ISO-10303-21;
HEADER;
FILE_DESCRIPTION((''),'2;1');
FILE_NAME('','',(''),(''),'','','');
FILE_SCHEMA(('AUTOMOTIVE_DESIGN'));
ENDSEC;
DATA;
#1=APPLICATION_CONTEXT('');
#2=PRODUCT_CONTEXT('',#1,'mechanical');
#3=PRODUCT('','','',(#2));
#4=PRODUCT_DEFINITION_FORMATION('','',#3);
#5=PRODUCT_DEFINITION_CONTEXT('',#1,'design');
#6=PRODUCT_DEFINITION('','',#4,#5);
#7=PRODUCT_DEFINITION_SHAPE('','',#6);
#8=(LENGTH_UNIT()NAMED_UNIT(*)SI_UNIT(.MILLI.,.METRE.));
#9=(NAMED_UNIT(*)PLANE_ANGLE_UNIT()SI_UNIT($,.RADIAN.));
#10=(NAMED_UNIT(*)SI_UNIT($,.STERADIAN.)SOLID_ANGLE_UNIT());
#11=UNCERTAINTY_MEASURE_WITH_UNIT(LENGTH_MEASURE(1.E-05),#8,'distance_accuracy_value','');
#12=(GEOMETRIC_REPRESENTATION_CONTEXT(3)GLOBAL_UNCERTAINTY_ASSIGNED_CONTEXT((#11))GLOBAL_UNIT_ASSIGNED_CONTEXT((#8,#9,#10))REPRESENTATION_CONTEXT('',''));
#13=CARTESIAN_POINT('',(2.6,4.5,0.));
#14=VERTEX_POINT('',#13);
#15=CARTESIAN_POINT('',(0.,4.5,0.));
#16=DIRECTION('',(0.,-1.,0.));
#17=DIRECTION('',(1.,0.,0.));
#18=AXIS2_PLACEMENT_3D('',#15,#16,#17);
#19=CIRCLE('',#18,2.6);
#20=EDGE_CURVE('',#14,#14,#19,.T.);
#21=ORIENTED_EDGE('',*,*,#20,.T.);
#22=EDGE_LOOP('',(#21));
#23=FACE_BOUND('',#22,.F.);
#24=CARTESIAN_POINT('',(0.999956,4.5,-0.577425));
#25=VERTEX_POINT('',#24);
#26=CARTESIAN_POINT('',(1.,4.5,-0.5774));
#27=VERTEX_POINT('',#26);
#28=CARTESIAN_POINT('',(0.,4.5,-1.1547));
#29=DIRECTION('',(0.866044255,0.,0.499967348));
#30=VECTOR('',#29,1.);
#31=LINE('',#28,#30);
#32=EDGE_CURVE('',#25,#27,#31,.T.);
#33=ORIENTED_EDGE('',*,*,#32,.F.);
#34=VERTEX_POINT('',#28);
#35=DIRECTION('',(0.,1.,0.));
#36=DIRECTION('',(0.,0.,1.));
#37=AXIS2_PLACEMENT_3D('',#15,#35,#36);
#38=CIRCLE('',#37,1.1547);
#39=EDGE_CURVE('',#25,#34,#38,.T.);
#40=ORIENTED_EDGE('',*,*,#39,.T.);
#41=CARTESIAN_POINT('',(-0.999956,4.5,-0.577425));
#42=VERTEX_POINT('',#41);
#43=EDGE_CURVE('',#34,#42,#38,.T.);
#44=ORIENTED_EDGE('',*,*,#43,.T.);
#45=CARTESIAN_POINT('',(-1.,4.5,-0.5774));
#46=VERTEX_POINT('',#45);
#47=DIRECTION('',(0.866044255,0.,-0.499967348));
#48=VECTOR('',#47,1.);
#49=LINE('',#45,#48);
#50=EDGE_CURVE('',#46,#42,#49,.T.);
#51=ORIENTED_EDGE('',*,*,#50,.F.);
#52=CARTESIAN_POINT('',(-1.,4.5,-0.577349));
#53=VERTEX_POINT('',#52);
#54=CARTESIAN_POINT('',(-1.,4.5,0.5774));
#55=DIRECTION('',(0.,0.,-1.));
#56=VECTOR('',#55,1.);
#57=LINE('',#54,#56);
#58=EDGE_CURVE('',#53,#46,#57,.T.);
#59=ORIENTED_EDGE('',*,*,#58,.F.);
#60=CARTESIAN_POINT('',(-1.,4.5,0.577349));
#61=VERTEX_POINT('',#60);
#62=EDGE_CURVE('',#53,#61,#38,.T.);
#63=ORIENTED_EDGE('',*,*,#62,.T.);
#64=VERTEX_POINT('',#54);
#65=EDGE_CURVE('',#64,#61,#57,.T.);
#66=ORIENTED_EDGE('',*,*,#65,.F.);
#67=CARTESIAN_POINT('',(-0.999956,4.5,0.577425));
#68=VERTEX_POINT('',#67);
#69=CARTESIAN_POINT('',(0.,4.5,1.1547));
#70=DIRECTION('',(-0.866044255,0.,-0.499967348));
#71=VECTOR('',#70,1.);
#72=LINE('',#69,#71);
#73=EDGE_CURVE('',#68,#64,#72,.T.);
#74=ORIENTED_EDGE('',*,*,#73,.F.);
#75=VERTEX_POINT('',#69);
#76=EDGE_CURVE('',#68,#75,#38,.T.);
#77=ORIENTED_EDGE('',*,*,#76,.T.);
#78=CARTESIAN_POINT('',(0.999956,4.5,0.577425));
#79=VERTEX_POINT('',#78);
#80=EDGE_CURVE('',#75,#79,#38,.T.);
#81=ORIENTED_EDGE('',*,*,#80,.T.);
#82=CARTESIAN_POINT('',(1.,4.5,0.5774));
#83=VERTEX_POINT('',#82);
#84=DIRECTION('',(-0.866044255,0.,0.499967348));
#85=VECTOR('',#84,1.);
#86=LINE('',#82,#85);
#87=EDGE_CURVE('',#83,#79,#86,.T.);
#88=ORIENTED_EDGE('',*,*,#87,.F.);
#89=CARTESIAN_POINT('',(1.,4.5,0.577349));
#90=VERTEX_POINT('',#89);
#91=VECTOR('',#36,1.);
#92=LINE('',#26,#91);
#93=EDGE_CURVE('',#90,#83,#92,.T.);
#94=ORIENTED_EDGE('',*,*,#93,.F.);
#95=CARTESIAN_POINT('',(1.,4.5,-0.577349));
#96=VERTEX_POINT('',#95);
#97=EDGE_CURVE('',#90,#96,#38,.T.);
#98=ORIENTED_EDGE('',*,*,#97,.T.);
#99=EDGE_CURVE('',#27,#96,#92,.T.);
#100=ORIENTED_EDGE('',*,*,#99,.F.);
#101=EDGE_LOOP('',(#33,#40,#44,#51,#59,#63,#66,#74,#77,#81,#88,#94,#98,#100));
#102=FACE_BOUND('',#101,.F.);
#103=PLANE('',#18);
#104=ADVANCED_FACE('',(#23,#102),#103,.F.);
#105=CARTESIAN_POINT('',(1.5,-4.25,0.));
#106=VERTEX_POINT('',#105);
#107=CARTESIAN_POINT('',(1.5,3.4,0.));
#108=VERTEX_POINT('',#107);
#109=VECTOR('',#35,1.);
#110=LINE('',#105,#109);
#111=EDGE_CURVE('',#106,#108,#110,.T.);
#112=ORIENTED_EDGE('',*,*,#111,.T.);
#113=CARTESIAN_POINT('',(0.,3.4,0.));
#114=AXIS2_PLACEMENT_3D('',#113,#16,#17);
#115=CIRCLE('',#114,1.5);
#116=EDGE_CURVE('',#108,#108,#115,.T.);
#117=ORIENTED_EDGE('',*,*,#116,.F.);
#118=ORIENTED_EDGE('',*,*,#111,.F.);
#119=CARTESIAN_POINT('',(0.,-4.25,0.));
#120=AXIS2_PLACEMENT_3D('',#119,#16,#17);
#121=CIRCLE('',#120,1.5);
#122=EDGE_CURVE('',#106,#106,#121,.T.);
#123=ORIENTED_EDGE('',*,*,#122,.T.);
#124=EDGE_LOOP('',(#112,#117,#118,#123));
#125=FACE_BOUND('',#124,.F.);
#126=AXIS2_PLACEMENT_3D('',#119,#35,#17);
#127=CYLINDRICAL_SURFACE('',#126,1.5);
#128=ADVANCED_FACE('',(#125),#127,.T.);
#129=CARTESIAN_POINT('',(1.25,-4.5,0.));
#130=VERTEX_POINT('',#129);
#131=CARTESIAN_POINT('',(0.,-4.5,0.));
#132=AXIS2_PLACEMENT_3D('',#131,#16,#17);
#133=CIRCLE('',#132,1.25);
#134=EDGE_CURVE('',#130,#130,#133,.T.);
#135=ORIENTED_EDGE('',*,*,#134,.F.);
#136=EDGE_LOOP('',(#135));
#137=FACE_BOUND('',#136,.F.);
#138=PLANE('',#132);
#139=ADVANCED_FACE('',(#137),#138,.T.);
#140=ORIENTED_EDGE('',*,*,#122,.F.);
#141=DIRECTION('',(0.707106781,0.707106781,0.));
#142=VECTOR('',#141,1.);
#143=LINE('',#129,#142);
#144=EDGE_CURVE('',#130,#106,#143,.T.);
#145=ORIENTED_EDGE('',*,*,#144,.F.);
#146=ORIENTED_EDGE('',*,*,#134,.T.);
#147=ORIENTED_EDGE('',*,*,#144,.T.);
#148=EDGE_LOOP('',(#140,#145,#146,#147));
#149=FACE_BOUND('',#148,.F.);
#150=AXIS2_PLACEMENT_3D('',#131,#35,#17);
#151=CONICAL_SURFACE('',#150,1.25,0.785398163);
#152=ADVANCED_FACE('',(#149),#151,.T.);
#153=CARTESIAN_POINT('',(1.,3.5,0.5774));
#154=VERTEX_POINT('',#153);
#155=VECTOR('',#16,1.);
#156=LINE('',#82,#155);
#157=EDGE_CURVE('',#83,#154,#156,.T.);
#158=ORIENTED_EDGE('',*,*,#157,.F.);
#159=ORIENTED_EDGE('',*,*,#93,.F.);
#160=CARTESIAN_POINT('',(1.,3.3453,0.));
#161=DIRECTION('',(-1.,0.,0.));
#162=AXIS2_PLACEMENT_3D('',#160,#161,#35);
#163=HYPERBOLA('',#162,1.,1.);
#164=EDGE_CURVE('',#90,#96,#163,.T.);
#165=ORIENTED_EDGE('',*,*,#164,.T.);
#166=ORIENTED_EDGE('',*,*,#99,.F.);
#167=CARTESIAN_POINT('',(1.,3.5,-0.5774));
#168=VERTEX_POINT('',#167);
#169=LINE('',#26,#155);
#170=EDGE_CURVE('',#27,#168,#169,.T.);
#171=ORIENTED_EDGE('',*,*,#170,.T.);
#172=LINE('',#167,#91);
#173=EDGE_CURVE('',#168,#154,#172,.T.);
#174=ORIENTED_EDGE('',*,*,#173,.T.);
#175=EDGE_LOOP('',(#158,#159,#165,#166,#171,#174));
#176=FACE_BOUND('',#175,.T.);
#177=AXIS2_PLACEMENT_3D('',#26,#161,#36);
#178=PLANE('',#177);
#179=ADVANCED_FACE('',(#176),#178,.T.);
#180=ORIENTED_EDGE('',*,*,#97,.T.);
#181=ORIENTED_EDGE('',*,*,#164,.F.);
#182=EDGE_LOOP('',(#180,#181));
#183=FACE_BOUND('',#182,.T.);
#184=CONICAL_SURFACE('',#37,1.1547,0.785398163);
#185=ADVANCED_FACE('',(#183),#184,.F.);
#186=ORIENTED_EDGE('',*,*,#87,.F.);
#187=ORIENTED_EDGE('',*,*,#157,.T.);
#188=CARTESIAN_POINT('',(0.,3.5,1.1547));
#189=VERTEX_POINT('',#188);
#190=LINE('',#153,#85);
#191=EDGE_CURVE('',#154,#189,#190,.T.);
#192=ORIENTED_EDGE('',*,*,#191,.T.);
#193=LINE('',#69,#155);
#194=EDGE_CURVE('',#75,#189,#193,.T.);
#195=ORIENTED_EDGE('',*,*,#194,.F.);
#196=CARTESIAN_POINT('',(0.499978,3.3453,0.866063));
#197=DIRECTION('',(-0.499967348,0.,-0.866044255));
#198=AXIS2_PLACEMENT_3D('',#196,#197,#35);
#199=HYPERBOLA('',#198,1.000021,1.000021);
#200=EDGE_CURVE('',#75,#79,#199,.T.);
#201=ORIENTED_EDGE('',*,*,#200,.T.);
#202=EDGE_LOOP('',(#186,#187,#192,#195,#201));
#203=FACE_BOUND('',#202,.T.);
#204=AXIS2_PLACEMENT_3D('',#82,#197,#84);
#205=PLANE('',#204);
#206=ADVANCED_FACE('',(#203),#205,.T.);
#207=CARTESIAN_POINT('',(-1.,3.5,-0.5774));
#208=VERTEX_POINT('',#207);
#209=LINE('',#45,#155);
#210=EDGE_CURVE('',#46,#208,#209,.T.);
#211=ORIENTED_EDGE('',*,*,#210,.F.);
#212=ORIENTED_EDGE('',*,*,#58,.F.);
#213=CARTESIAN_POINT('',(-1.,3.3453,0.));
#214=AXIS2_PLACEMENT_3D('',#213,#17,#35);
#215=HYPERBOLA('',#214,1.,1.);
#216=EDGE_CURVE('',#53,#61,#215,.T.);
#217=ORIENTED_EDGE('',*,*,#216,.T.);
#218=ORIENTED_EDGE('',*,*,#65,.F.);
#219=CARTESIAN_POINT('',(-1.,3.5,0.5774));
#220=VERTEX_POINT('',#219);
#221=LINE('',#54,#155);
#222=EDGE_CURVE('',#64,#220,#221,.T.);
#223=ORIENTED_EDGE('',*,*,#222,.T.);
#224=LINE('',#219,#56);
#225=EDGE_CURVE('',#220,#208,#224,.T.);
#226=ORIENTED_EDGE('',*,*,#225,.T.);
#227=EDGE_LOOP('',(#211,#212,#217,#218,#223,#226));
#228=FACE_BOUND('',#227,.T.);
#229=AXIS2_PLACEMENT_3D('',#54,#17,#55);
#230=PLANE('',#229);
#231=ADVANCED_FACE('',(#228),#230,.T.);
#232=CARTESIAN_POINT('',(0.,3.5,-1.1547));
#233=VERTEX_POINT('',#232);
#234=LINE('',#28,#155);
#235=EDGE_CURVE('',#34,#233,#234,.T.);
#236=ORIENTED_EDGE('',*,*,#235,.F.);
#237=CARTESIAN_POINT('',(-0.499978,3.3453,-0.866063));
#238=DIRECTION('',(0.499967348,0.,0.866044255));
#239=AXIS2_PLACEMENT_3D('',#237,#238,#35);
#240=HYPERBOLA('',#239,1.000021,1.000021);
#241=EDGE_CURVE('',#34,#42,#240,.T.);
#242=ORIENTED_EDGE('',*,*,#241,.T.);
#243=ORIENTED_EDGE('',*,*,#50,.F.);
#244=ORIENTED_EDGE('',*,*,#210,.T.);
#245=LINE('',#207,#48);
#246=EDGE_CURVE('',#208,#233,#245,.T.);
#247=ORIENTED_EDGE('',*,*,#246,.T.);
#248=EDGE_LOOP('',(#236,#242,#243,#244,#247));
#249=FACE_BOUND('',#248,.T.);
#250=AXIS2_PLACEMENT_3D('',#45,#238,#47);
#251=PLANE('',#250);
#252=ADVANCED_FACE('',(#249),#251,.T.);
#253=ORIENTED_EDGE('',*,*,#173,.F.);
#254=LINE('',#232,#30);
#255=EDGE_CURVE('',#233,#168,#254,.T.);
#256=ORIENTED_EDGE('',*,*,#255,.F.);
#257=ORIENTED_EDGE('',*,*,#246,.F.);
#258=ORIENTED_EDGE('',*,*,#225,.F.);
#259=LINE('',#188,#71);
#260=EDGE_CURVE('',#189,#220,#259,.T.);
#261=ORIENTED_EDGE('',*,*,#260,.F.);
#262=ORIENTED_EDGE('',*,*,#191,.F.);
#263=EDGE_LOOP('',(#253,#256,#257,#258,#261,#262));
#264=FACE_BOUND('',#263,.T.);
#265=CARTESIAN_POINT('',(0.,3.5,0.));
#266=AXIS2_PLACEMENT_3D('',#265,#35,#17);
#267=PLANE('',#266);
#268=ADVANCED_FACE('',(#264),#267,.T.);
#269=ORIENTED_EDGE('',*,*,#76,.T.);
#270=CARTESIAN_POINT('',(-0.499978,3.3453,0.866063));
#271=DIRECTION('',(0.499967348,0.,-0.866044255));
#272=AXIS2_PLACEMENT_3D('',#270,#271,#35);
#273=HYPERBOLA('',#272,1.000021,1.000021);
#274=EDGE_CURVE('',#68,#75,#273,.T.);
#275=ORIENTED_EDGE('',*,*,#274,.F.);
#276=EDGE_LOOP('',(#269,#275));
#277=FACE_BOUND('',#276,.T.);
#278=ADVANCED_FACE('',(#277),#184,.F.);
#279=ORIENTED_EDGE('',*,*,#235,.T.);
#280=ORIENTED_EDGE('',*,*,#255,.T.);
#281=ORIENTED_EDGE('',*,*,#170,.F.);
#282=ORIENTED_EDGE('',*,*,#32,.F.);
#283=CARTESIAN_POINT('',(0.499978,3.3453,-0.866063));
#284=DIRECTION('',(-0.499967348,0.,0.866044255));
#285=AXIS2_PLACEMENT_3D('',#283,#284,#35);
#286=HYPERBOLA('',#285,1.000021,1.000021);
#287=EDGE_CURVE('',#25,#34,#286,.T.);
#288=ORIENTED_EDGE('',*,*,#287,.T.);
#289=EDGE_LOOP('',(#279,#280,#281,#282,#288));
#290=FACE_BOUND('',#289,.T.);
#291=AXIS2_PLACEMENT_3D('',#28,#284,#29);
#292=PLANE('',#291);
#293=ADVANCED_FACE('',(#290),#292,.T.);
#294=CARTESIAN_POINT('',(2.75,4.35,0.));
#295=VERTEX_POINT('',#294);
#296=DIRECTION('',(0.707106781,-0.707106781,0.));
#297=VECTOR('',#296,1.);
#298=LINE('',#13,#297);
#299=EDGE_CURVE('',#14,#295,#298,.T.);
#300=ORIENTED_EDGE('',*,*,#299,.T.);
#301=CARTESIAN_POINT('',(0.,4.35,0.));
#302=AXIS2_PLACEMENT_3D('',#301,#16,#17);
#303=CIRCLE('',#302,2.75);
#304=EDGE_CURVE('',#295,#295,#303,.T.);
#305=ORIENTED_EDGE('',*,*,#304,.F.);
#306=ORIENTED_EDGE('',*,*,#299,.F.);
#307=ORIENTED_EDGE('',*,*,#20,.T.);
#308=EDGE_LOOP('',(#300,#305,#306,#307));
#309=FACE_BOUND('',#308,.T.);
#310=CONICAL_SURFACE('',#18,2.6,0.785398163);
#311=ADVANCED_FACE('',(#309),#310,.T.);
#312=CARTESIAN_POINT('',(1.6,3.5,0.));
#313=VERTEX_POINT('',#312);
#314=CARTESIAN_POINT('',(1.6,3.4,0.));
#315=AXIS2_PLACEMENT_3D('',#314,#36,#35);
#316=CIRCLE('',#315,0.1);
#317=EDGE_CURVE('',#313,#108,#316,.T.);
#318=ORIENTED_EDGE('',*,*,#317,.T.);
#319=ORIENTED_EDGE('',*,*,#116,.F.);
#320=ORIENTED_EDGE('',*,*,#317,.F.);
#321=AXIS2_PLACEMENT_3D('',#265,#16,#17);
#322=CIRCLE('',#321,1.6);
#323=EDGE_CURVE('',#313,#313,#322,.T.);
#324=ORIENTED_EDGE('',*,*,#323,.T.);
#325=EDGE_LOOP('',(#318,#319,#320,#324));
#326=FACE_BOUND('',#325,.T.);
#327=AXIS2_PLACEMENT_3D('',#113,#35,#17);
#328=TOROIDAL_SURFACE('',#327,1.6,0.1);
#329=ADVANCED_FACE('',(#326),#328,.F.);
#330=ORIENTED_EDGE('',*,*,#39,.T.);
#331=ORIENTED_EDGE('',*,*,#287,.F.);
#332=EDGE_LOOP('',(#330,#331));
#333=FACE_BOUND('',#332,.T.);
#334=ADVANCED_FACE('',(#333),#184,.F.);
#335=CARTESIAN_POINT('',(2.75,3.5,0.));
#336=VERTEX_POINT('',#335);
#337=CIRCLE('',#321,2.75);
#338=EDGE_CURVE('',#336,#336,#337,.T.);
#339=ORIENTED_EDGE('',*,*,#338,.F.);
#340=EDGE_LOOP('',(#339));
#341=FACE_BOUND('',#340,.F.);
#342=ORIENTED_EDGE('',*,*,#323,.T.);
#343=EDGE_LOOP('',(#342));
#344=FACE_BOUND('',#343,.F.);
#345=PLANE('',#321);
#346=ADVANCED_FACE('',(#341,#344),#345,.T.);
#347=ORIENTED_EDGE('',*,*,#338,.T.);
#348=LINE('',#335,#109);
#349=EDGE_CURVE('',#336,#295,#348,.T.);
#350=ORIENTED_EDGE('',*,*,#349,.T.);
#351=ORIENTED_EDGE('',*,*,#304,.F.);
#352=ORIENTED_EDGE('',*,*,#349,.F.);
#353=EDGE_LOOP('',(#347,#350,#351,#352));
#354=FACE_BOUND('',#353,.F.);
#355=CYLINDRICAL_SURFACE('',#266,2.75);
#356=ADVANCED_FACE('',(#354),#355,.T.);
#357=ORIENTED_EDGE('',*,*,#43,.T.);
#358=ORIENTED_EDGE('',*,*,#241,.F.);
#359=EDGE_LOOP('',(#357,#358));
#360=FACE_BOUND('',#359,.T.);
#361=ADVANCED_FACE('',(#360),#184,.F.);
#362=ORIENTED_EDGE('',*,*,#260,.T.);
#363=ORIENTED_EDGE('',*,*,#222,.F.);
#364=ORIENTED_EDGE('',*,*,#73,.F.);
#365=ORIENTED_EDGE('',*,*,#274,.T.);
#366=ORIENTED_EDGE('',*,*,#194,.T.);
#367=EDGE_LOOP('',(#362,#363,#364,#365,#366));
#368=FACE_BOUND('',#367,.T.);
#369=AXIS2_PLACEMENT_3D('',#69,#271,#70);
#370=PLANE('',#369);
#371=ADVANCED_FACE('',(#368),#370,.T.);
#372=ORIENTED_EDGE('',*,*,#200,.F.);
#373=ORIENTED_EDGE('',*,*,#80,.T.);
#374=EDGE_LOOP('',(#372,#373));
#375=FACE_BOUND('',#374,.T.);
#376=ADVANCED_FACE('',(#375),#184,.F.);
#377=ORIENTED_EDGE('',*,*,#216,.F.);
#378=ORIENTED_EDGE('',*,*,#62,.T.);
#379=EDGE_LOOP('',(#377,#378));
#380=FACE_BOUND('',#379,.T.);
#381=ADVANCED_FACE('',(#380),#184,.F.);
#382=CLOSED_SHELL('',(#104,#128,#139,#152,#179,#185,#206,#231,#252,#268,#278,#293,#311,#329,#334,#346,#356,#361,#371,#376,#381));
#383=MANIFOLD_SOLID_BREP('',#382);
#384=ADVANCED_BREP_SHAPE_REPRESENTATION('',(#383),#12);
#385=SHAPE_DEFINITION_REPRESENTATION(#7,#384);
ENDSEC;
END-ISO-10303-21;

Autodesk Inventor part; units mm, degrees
ref_plane "YZ Plane" through (0, 0, 0) normal (1, 0, 0) x (0, 1, 0)
ref_plane "XZ Plane" through (0, 0, 0) normal (0, 1, 0) x (-1, 0, 0)
ref_plane "XY Plane" through (0, 0, 0) normal (0, 0, 1) x (1, 0, 0)
sketch "Sketch1" plane through (0, 0, 0) normal (0, 0, 1) x (1, 0, 0)
  line L0 (0, 4.5) -> (0, -4.5)
  line L1 (0, -4.5) -> (1.25, -4.5)
  line L2 (1.25, -4.5) -> (1.5, -4.25)
  line L3 (1.5, -4.25) -> (1.5, 3.4)
  line L4 (1.6, 3.5) -> (2.75, 3.5)
  line L5 (2.75, 3.5) -> (2.75, 4.35)
  line L6 (2.6, 4.5) -> (0, 4.5)
  arc A0 (1.6, 3.5) -> (1.5, 3.4) centre (1.6, 3.4) ccw
  line L7 (2.6, 4.5) -> (2.75, 4.35)
  point P0 (0, 0)
  point P1 (2.75, 4.5)
  point P2 (0, 0)
  dimension "d0" = 5.5
  dimension "d1" = 1
  dimension "d3" = 3
  dimension "d4" = 3.2
  dimension "d5" = 135
  dimension "d6" = 0.25
  dimension "d7" = 8
  dimension "d18" = 0.15
  dimension "d22" = 0.15
revolve "Revolution1" add sketch "Sketch1" angle 360 about axis through (0, 4.5, 0) along (0, -1, 0)
sketch "Sketch2" plane through (0, 4.5, 0) normal (0, 1, 0) x (1, 0, 0)
  line L0 (0, -1.1547) -> (-1, -0.5774)
  line L1 (-1, -0.5774) -> (-1, 0.5774)
  line L2 (-1, 0.5774) -> (0, 1.1547)
  line L3 (0, 1.1547) -> (1, 0.5774)
  line L4 (1, 0.5774) -> (1, -0.5774)
  line L5 (1, -0.5774) -> (0, -1.1547)
  point P0 (0, 0)
  point P1 (0, 0)
  dimension "d11" = 2
extrude "Extrusion1" cut sketch "Sketch2" against normal blind 1
thread "Thread1" size "M3x0.5" class "6g" standard "ANSI Metric M Profile" full length
sketch "Sketch3" plane through (0, 0, 0) normal (1, 0, 0) x (0, 1, 0)
  line L0 (4.5, 1.1547) -> (4.5, 0.5774) projected
  line L1 (4.5, 1.1547) -> (4, 0.6547)
  line L2 (4, 0.6547) -> (4.5, 0.6547)
  line L3 (4.5, 0.6547) -> (4.5, 1.1547)
  line L4 (-0.9, 0) -> (5.4, 0) projected
  point P0 (0, 0)
  dimension "d16" = 0.5
revolve "Revolution2" cut sketch "Sketch3" angle 360 about axis through (0, -10, 0) along (0, 1, 0)
equation "\"d22\" = d18"
properties part number "Bolt_M3x0.35_6mm_SH" material "Stainless Steel"
